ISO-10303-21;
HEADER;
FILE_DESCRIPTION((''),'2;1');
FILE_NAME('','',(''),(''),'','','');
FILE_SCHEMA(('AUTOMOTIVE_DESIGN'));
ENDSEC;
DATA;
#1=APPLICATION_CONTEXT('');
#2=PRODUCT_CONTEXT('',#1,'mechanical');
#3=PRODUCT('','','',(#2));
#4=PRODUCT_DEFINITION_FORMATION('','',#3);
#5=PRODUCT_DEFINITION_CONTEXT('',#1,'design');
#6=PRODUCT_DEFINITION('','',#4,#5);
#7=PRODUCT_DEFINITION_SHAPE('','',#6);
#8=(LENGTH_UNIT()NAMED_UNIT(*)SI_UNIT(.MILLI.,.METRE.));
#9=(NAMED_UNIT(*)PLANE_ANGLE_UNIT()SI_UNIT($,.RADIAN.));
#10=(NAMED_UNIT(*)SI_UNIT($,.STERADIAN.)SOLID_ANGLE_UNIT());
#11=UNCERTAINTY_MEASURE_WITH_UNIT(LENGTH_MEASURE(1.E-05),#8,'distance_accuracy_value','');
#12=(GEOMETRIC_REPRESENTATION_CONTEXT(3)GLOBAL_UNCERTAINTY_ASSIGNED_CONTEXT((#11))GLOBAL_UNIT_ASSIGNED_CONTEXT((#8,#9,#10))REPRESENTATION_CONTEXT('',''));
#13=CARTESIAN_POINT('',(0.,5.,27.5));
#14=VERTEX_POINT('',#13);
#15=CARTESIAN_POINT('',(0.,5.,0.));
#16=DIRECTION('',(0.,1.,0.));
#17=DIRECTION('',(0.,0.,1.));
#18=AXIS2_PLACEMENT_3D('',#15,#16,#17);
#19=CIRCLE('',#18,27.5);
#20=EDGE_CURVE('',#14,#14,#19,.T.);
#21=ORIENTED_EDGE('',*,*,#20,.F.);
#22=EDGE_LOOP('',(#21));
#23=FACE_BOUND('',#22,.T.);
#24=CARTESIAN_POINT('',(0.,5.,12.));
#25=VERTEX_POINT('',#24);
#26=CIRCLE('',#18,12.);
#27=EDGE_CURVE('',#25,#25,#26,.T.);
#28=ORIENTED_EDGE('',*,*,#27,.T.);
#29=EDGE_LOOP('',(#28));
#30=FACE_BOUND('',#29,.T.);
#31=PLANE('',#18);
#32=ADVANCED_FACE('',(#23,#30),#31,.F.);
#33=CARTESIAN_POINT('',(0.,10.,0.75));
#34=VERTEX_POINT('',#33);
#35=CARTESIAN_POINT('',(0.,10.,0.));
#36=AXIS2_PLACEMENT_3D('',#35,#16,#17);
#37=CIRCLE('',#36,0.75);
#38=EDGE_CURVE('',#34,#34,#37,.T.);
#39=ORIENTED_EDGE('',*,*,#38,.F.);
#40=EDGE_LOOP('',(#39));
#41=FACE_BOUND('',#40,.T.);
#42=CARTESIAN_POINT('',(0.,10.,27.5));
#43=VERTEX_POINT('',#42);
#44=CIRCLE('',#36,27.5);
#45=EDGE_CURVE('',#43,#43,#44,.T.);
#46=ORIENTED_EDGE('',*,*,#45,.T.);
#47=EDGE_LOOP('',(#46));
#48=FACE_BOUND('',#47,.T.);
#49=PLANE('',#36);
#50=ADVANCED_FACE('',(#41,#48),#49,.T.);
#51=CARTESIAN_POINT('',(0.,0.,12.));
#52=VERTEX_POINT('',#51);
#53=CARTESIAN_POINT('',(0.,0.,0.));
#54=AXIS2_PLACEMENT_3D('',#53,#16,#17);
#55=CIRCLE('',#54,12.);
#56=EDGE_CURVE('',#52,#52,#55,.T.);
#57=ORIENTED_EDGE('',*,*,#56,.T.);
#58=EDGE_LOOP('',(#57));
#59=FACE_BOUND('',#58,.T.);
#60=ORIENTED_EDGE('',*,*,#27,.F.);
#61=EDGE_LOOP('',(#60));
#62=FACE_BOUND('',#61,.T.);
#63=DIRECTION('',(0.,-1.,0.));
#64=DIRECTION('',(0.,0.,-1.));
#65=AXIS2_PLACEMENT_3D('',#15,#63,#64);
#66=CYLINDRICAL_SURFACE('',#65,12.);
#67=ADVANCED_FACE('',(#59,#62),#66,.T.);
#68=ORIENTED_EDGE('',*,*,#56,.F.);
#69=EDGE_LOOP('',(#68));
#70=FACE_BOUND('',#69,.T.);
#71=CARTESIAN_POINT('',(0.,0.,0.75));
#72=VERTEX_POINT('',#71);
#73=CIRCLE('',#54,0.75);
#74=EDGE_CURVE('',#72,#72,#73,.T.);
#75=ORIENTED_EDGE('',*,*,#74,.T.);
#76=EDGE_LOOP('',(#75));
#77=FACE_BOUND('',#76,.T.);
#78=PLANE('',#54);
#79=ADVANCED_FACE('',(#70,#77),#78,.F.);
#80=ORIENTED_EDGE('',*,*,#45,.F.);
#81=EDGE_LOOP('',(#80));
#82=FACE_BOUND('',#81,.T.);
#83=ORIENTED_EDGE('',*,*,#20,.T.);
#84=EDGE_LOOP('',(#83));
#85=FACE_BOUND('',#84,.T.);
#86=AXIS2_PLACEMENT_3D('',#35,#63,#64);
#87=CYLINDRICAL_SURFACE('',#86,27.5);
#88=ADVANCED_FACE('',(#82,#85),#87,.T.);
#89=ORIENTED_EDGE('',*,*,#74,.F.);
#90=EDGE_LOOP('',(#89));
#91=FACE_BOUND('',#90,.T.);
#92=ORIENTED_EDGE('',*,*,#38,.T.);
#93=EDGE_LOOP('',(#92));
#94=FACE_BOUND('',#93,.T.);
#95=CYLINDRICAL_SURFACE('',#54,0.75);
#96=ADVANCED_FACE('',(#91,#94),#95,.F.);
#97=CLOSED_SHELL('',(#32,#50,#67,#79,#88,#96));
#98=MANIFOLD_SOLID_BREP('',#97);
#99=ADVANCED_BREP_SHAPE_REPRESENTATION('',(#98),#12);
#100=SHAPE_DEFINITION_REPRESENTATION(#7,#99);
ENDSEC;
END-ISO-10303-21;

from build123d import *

# Parameters (mm, degrees)
SKETCH2_R           = 12
BOSS_EXTRUDE1_DEPTH = 5
SKETCH3_R           = 0.75
CUT_EXTRUDE1_DEPTH  = 5
SKETCH4_R           = 27.5
BOSS_EXTRUDE2_DEPTH = 5
SKETCH5_R           = 0.75
CUT_EXTRUDE2_DEPTH  = 15


with BuildPart() as part:
    # Sketch2 → Boss-Extrude1 (new body)
    with BuildSketch(Plane(origin=(0, 0, 0), x_dir=(1, 0, 0), z_dir=(0, 1, 0))):
        with Locations(Location((0, 0, 0), (0, 0, 270))):
            Circle(SKETCH2_R)
    extrude(amount=BOSS_EXTRUDE1_DEPTH)

    # Sketch3 → Cut-Extrude1 (cut)
    with BuildSketch(Plane(origin=(0, 5, 0), x_dir=(1, 0, 0), z_dir=(0, 1, 0))):
        with Locations(Location((0, 0, 0), (0, 0, 270))):
            Circle(SKETCH3_R)
    extrude(amount=-CUT_EXTRUDE1_DEPTH, mode=Mode.SUBTRACT)

    # Sketch4 → Boss-Extrude2 (add)
    with BuildSketch(Plane(origin=(0, 5, 0), x_dir=(1, 0, 0), z_dir=(0, 1, 0))):
        with Locations(Location((0, 0, 0), (0, 0, 270))):
            Circle(SKETCH4_R)
    extrude(amount=BOSS_EXTRUDE2_DEPTH)

    # Sketch5 → Cut-Extrude2 (cut)
    with BuildSketch(Plane(origin=(0, 10, 0), x_dir=(1, 0, 0), z_dir=(0, 1, 0))):
        with Locations(Location((0, 0, 0), (0, 0, 270))):
            Circle(SKETCH5_R)
    extrude(amount=-CUT_EXTRUDE2_DEPTH, mode=Mode.SUBTRACT)


solid = part.part
